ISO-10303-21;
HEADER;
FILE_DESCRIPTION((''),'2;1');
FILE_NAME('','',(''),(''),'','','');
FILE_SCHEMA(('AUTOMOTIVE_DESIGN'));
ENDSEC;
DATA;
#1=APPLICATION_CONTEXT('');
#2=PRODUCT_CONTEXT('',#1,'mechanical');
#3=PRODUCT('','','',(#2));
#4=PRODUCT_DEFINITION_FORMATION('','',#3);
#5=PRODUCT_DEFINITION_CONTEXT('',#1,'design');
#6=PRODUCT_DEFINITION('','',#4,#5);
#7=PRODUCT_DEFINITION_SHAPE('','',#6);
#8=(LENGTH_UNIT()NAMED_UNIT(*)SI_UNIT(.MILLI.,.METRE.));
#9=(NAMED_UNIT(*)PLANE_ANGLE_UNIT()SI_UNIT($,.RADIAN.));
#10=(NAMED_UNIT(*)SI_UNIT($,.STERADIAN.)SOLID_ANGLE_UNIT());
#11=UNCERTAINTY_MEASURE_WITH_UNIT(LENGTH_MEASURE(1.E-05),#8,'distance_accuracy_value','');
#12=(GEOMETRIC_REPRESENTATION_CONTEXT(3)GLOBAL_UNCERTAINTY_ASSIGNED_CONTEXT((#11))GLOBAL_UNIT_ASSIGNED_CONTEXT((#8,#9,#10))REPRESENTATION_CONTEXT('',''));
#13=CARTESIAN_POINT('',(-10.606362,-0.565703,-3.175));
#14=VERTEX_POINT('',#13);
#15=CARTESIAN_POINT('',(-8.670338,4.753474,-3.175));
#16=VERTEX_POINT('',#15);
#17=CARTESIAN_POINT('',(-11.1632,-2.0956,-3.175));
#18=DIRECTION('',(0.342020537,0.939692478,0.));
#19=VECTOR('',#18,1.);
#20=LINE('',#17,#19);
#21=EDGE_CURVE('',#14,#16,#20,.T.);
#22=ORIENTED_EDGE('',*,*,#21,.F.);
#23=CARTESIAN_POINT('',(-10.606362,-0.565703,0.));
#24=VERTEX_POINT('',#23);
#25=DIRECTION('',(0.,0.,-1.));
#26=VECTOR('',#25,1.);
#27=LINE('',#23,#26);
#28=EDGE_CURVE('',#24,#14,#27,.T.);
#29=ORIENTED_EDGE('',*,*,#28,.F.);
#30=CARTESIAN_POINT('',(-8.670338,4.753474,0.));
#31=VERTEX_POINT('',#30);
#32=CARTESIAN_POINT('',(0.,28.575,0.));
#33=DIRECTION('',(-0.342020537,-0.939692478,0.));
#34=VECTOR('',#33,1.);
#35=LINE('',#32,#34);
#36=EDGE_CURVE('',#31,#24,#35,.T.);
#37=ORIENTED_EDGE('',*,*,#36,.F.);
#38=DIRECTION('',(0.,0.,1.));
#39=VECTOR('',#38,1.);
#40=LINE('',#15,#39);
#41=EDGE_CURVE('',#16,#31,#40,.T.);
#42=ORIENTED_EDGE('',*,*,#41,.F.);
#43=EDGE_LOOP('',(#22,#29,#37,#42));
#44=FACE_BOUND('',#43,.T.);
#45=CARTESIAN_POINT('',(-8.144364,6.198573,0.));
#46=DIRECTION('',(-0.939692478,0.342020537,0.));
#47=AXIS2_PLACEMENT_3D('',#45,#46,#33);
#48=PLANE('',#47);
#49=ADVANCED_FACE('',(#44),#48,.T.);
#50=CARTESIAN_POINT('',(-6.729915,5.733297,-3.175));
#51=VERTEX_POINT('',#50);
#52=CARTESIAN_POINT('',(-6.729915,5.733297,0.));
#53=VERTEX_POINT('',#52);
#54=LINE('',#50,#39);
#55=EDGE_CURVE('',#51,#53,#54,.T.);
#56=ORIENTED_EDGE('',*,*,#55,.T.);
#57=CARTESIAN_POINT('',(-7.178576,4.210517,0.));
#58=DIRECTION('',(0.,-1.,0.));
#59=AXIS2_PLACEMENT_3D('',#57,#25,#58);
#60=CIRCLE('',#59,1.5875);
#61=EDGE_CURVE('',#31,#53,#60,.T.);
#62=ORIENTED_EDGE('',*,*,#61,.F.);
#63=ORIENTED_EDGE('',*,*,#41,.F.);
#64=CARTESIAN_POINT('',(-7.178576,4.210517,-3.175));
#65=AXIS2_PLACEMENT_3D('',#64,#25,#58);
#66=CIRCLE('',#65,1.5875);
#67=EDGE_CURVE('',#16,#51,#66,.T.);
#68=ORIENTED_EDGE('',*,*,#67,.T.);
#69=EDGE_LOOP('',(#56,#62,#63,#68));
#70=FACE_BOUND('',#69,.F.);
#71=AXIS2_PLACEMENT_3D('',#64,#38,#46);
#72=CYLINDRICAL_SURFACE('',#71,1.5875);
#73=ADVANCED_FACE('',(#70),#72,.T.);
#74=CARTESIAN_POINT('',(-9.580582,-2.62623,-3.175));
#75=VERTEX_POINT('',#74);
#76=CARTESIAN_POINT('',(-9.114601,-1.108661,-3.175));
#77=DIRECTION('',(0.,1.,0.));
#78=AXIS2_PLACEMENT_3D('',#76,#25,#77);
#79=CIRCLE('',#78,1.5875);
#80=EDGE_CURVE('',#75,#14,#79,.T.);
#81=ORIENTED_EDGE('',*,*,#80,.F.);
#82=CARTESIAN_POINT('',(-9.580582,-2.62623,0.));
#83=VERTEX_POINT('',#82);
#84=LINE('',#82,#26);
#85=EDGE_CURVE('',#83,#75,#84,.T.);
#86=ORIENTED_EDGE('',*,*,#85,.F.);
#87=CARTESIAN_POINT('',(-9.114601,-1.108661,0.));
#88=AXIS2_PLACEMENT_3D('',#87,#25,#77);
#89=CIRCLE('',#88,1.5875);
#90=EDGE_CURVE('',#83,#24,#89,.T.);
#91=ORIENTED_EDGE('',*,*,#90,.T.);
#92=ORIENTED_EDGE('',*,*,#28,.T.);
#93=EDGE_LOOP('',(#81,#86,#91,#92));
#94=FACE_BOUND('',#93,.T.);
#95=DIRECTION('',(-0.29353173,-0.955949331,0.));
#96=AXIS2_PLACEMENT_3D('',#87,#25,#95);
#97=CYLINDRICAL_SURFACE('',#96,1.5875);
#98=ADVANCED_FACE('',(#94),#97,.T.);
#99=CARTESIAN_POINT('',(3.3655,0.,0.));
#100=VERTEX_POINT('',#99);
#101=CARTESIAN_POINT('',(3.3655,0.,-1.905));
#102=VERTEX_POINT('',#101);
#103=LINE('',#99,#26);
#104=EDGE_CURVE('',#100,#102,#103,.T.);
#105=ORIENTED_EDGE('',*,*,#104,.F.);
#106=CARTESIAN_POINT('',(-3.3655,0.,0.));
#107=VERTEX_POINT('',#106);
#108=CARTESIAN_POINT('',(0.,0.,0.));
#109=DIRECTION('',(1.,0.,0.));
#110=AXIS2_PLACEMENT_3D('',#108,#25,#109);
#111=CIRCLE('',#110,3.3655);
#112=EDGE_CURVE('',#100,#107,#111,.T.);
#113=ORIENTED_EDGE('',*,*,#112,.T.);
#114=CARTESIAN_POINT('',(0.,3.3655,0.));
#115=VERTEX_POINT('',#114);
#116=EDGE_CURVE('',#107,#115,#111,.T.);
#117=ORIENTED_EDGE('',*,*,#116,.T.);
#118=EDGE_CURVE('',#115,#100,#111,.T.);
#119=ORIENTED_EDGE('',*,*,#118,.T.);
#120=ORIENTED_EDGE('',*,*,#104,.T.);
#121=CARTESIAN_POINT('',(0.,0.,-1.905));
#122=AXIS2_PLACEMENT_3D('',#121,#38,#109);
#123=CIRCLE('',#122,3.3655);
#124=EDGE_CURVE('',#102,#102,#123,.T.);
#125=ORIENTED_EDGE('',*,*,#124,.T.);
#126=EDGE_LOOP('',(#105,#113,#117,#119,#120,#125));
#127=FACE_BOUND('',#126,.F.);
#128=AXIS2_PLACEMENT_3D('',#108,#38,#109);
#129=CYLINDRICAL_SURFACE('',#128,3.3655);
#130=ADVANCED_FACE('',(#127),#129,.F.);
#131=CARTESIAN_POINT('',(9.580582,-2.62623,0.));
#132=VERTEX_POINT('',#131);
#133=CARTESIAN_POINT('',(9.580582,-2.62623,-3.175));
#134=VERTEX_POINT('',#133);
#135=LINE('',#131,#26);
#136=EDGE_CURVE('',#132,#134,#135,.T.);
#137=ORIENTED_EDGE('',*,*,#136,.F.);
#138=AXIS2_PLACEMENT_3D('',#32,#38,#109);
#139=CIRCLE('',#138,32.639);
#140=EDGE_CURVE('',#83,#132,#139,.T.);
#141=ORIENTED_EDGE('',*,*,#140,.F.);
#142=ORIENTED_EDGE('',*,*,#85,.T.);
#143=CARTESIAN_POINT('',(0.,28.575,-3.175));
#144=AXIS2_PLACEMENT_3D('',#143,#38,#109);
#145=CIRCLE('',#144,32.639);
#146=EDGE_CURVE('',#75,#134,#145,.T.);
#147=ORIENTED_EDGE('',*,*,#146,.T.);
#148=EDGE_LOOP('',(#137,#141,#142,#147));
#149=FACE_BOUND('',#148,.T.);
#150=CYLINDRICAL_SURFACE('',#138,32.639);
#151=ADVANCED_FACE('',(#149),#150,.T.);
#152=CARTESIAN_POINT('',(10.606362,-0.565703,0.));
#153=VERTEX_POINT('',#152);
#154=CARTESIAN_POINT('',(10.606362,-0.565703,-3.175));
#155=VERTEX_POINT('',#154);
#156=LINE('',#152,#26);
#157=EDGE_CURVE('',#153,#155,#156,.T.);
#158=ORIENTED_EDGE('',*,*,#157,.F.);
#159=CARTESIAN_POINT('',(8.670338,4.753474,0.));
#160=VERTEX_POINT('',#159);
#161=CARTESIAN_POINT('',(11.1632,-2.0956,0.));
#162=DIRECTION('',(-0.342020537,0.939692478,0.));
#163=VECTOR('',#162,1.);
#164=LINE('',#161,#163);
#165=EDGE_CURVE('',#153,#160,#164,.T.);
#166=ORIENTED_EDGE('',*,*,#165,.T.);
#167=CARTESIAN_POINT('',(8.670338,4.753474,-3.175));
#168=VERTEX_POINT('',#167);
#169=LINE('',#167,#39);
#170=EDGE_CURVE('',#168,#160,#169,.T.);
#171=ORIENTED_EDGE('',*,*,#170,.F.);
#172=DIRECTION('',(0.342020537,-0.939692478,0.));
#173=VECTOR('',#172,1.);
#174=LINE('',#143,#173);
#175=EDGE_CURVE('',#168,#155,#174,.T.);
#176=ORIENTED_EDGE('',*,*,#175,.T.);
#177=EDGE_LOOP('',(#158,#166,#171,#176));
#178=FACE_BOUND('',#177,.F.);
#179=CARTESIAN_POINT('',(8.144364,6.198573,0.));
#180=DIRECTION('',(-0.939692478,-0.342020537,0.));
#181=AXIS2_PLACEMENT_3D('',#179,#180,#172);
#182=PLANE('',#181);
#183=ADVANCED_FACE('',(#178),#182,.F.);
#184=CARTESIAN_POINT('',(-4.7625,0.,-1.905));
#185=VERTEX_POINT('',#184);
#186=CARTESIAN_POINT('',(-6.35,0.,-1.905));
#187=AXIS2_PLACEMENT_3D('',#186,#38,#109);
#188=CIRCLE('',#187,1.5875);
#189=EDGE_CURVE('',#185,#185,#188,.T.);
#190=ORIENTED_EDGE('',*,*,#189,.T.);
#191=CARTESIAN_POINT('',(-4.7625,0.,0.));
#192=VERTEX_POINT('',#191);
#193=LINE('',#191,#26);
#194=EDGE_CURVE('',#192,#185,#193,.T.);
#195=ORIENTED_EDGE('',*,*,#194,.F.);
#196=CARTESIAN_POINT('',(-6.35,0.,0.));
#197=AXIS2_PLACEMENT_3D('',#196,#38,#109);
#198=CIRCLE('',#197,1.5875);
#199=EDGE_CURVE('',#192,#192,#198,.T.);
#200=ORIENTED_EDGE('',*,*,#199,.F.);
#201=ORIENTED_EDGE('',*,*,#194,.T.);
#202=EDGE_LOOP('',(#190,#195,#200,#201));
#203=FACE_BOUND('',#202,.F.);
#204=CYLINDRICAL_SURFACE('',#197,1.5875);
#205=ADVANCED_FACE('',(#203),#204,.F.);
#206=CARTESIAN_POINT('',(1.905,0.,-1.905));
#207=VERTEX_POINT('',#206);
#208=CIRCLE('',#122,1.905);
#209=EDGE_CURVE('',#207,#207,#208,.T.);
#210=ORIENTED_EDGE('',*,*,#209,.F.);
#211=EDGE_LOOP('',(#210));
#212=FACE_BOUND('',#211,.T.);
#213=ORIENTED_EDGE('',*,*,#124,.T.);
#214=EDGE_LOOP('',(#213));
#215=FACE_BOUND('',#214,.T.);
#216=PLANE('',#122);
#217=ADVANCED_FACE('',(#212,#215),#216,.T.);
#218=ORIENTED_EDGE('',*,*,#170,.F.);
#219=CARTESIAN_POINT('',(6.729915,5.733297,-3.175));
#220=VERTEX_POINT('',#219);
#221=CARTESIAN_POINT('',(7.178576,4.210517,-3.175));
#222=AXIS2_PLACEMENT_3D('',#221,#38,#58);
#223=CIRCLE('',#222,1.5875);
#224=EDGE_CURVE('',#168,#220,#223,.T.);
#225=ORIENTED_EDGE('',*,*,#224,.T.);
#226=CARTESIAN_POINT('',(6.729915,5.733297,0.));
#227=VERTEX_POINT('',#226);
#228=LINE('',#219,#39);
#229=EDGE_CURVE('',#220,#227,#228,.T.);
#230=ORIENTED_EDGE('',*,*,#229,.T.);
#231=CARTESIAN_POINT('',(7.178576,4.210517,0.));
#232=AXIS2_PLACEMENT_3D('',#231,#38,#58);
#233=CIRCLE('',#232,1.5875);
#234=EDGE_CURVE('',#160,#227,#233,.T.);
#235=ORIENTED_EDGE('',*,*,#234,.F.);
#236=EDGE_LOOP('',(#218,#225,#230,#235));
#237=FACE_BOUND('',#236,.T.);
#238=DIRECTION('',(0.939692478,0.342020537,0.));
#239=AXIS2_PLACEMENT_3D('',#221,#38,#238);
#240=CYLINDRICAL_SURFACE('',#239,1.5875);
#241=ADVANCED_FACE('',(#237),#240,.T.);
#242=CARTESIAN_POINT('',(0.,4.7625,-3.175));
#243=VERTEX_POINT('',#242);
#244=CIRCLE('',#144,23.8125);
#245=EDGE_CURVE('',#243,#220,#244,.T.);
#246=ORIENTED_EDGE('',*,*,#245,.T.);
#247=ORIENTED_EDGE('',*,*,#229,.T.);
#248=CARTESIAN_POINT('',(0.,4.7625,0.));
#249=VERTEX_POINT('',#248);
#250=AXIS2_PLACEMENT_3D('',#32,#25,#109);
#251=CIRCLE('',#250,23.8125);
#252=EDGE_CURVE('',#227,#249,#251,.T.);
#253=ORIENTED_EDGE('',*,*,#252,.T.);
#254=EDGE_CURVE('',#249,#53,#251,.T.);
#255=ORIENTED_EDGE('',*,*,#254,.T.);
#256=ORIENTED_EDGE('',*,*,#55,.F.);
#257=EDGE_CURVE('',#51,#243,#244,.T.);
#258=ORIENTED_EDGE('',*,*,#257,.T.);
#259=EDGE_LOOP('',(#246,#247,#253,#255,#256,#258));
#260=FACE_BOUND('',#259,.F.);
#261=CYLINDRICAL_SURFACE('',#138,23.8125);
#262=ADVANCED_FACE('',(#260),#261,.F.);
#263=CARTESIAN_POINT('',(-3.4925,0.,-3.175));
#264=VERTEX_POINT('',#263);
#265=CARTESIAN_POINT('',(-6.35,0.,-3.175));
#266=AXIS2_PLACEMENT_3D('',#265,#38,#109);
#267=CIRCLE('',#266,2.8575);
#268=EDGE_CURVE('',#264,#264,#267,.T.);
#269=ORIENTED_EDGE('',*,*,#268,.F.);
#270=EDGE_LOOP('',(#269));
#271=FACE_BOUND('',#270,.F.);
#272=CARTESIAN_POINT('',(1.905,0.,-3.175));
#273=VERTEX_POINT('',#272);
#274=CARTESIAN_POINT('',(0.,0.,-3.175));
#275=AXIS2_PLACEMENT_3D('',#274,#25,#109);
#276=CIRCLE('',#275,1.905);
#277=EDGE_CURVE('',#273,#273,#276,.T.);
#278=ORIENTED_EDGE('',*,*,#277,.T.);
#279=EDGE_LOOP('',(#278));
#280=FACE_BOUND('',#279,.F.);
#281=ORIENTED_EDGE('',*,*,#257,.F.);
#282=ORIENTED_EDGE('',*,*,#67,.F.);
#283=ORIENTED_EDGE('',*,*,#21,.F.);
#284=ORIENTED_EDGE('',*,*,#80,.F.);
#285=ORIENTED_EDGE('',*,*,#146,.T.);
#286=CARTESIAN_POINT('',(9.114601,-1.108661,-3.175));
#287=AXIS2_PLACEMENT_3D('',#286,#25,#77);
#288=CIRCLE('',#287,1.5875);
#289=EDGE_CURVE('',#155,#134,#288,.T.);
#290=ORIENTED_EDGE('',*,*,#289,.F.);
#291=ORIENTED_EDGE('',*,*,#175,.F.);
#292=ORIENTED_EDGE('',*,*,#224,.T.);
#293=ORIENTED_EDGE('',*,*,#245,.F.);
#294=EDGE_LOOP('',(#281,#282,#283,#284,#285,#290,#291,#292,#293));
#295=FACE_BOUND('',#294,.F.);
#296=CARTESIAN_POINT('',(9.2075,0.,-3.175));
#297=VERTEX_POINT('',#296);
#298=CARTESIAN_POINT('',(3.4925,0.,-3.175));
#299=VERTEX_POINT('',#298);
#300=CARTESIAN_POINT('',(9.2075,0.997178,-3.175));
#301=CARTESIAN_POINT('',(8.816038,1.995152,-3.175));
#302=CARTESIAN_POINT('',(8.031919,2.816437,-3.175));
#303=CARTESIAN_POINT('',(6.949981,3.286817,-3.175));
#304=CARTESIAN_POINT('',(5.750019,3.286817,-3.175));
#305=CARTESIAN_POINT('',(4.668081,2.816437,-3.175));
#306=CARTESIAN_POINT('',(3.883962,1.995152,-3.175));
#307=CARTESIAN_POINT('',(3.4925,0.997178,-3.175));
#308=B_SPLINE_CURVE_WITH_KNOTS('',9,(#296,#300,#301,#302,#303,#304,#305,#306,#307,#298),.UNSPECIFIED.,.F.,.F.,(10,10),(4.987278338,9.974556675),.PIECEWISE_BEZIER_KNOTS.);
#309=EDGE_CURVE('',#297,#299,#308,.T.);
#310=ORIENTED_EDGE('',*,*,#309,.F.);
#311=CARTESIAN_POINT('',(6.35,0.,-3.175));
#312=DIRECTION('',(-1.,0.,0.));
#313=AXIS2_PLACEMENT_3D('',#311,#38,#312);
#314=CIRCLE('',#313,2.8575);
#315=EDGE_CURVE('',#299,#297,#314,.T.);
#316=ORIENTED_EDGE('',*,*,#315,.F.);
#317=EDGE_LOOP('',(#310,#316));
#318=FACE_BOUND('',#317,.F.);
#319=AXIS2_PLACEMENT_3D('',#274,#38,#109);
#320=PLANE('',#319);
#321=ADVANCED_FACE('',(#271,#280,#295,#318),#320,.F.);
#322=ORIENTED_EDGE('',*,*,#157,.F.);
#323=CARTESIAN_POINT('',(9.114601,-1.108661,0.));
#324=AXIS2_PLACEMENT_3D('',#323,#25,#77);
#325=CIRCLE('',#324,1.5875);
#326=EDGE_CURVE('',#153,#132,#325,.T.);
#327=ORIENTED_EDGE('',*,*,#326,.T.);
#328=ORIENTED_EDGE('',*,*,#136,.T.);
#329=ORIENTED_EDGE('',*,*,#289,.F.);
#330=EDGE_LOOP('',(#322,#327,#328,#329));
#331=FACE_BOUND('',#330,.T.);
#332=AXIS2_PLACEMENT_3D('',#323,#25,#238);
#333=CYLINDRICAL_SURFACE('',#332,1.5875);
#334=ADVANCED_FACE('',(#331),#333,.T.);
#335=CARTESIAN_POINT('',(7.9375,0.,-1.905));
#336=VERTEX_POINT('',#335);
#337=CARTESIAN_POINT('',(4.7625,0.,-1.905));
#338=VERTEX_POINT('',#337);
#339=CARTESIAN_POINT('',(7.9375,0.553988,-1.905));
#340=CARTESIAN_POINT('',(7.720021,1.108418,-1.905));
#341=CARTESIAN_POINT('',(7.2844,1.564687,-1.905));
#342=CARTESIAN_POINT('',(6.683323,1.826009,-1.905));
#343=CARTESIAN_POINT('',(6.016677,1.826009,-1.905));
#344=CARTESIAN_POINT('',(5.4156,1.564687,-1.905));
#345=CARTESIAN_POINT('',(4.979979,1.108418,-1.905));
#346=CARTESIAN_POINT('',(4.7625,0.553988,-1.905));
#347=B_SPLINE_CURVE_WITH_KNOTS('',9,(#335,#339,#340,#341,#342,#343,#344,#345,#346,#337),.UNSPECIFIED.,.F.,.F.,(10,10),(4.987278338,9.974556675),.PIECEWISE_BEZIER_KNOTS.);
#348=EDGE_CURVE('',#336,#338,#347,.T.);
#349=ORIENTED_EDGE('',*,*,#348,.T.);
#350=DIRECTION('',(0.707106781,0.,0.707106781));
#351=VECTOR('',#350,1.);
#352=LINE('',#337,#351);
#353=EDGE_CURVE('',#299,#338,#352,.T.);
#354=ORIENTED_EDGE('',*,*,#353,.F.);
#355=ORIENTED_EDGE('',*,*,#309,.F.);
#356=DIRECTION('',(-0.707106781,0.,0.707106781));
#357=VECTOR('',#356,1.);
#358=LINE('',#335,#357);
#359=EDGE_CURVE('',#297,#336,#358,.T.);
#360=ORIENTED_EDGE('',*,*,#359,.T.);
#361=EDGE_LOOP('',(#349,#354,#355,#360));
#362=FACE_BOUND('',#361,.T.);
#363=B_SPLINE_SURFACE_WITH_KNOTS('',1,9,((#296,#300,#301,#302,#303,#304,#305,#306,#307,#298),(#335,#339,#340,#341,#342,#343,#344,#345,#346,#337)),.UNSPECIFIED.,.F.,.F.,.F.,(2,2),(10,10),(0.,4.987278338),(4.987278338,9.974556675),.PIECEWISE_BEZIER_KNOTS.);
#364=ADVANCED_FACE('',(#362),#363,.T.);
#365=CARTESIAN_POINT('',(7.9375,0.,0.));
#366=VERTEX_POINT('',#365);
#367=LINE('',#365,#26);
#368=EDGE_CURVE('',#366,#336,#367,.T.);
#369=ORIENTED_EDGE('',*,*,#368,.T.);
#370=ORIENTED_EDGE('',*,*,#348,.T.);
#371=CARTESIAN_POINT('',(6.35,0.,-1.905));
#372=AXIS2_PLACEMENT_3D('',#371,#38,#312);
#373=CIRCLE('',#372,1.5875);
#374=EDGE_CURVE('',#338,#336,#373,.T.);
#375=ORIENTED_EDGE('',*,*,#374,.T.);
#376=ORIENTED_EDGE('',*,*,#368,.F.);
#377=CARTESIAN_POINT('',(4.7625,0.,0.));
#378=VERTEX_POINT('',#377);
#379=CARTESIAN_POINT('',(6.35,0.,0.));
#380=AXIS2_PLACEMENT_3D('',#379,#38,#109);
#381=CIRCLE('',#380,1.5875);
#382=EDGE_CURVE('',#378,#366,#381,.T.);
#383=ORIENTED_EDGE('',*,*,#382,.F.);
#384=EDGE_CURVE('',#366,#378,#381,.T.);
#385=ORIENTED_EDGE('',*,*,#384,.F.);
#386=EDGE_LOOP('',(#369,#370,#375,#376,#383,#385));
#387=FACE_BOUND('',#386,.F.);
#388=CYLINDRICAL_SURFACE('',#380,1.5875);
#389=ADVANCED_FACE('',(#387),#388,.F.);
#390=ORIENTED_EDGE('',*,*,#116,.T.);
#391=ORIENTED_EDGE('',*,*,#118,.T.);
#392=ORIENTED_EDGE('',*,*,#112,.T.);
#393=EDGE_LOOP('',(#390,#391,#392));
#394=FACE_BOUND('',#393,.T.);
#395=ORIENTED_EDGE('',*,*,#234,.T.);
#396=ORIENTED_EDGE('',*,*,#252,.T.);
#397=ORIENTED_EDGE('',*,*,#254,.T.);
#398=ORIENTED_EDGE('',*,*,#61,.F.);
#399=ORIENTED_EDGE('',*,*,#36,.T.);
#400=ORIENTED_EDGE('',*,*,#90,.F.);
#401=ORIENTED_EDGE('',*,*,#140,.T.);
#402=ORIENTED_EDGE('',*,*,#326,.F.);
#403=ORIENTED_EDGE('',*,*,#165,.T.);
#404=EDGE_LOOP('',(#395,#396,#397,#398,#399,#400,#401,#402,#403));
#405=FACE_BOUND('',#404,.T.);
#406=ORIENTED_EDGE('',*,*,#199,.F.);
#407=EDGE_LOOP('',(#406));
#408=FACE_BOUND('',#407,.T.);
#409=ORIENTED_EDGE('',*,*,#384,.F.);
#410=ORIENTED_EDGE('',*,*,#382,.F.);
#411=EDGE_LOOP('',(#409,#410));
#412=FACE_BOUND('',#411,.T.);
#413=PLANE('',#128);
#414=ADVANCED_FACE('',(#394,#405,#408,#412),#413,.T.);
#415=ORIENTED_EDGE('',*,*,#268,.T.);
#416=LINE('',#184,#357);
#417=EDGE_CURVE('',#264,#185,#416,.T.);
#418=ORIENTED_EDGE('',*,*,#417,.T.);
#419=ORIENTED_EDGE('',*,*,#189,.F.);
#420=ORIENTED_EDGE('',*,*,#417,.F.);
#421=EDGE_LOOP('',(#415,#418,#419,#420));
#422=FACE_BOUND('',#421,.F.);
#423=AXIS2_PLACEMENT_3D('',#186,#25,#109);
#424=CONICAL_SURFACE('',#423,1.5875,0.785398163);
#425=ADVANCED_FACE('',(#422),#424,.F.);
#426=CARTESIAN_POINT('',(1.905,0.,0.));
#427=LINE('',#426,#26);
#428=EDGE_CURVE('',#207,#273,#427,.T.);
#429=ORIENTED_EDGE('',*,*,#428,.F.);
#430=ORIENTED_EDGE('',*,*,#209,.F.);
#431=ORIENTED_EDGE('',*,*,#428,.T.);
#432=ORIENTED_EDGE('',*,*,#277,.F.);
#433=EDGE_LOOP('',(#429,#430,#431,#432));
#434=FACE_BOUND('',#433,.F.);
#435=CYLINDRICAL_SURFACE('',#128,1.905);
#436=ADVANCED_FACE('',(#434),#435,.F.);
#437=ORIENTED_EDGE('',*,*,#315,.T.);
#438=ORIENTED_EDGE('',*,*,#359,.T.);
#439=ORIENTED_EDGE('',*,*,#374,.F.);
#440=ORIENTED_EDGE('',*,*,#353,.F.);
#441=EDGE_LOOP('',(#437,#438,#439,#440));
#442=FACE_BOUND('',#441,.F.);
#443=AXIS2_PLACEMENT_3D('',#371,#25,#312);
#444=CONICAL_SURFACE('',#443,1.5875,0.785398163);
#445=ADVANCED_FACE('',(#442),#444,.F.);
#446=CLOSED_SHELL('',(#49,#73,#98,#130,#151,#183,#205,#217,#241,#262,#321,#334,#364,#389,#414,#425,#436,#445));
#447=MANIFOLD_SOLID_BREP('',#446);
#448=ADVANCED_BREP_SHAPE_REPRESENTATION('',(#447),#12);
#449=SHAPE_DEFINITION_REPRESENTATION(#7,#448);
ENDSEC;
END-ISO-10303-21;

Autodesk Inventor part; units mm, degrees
ref_plane "YZ Plane" through (0, 0, 0) normal (1, 0, 0) x (0, 1, 0)
ref_plane "XZ Plane" through (0, 0, 0) normal (0, 1, 0) x (-1, 0, 0)
ref_plane "XY Plane" through (0, 0, 0) normal (0, 0, 1) x (1, 0, 0)
sketch "Sketch1" plane through (0, 0, 0) normal (0, 0, 1) x (1, 0, 0)
  circle A0 centre (0, 0) radius 1.905
  circle A1 centre (0, 0) radius 3.3655
  line L0 (0, 0) -> (0, 28.575)
  line L1 (0, 0) -> (28.575, 0) construction
  circle A2 centre (0, 28.575) radius 32.639
  line L2 (0, 0) -> (6.35, 0)
  line L3 (6.35, 0) -> (-6.35, 0)
  circle A3 centre (-6.35, 0) radius 1.5875
  circle A4 centre (6.35, 0) radius 1.5875
  line L4 (0, 28.575) -> (11.1632, -2.0956)
  line L5 (0, 28.575) -> (32.639, 28.575) construction
  line L6 (0, 28.575) -> (-11.1632, -2.0956)
  circle A5 centre (0, 28.575) radius 23.8125
  dimension "d0" = 3.81
  dimension "d1" = 6.731
  dimension "d3" = 28.575
  dimension "d4" = 90
  dimension "d5" = 65.278
  dimension "d6" = 6.35
  dimension "d7" = 12.7
  dimension "d8" = 3.175
  dimension "d9" = 3.175
  dimension "d10" = 70
  dimension "d11" = 47.625
extrude "Extrusion1" add sketch "Sketch1" against normal blind 3.175 contours L2 A1 L3 A0 | A0 L0 A1 L2 | A0 L3 A1 L0 | A5 L4 A2 L6 | A5 L6 L0 | L0 L4 A5 picked at (-9.0211, 1.6136)
extrude "Extrusion2" cut sketch "Sketch1" against normal blind 1.905 contours L2 A1 L3 A0 | A0 L0 A1 L2 | A0 L3 A1 L0
extrude "Extrusion3" cut sketch "Sketch1" against normal through all contours A5 L6 L0 | L0 L4 A5 | L6 A5 L4
chamfer "Chamfer1" distance 1.27 angle 45 2 edges at (4.7625, 0, -3.175) (-7.9375, 0, -3.175)
fillet "Fillet1" radius 1.5875 4 edges at (8.1444, 6.1986, -1.5875) (11.1632, -2.0956, -1.5875) (-8.1444, 6.1986, -1.5875) (-11.1632, -2.0956, -1.5875)
equation "\"d9\" = d8"
properties part number "pushSwitchBushingHolder" material "ABS Plastic"
